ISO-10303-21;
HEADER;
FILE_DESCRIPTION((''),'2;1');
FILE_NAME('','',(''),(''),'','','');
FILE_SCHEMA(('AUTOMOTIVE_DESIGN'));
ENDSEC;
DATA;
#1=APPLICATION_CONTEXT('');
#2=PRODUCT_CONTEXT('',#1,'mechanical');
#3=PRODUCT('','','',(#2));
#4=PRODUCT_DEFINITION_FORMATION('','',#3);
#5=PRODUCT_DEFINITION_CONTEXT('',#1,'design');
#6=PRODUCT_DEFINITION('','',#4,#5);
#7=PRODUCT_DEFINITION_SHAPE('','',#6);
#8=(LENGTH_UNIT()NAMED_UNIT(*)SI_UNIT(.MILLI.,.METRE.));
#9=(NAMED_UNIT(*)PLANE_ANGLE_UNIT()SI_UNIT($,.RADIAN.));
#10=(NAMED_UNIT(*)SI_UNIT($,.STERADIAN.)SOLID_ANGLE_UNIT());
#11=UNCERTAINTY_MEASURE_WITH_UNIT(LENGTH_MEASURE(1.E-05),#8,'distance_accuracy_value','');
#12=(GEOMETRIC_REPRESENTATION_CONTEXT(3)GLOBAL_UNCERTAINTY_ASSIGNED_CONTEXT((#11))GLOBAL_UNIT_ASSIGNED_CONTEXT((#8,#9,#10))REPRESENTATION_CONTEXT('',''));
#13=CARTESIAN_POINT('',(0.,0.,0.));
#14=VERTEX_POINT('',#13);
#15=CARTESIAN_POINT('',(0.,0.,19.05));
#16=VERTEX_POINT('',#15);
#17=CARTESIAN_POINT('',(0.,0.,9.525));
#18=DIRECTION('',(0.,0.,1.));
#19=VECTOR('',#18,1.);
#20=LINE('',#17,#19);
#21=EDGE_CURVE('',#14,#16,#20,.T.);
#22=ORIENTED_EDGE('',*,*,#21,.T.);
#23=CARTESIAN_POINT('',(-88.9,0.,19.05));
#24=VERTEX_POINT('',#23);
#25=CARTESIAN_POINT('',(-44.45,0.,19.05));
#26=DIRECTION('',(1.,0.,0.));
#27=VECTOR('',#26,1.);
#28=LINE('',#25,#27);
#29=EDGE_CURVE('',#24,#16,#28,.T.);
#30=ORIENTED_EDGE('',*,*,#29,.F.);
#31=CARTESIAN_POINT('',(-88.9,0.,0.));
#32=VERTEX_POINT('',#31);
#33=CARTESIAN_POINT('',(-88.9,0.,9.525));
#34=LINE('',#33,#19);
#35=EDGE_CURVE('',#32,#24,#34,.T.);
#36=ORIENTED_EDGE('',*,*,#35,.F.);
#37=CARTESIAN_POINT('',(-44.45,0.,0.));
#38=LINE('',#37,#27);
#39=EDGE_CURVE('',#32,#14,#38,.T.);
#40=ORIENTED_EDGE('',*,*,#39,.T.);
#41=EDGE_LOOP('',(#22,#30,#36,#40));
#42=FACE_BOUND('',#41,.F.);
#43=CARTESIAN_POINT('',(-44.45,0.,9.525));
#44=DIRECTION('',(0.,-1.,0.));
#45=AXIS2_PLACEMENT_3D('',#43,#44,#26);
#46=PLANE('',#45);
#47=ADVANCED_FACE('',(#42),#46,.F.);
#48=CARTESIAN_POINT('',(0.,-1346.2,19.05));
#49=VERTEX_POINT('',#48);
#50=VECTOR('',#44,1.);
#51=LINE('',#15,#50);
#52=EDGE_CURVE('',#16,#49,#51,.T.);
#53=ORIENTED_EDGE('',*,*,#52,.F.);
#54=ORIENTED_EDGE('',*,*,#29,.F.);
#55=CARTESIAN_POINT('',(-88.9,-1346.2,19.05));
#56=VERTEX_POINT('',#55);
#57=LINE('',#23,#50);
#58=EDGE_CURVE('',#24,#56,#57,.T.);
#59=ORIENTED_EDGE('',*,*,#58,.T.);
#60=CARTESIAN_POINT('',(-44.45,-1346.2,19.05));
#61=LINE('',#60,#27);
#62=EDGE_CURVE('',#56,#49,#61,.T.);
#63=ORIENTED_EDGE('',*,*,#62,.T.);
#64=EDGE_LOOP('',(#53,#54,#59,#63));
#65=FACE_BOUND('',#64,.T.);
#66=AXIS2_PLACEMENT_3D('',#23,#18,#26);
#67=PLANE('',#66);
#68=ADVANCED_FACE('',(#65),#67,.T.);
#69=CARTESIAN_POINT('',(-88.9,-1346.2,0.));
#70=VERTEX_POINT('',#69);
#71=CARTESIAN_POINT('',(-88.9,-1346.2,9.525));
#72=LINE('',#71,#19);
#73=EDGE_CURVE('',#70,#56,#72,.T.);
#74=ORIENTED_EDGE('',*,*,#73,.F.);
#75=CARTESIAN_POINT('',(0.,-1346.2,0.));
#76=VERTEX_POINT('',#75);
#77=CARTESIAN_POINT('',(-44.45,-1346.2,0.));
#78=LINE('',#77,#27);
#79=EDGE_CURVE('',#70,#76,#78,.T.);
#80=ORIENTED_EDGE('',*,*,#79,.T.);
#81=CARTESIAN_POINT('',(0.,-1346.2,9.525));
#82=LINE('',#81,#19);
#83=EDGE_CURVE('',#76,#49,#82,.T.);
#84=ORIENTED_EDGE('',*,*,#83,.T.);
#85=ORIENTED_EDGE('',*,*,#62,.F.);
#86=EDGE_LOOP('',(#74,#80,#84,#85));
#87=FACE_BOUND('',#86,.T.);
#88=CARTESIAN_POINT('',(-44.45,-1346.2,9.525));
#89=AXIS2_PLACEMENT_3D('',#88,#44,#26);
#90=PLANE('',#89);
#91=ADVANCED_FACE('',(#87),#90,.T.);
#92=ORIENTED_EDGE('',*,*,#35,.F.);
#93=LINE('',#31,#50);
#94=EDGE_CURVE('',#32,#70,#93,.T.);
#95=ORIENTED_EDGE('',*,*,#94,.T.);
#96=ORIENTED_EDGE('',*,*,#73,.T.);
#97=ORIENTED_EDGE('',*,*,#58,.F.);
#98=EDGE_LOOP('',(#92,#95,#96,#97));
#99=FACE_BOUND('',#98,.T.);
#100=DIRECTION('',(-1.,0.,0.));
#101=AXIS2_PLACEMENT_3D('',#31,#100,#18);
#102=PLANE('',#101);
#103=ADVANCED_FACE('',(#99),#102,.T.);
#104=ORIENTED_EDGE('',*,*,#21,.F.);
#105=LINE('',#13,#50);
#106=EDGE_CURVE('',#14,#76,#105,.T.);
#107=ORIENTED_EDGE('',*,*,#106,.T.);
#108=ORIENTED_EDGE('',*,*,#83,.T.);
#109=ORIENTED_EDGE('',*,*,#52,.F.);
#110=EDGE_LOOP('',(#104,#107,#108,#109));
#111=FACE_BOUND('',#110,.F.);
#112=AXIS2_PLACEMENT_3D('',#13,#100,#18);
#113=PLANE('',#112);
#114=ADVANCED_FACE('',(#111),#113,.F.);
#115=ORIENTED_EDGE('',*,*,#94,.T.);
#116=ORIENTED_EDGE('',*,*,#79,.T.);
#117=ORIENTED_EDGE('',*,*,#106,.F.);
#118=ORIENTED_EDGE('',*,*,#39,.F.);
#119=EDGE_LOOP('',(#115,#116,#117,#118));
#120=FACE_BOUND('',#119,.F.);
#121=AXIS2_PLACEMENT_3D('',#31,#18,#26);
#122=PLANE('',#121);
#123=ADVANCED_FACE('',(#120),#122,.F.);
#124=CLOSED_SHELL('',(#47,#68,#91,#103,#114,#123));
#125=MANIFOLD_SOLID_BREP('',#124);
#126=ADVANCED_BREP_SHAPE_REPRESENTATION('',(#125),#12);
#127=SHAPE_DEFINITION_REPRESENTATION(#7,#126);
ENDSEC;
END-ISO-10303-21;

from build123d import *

# Parameters (mm, degrees)
SKETCH_W  = 88.9
SKETCH_H  = 19.05
PAD_DEPTH = 1346.2


with BuildPart() as part:
    # Sketch → Pad (new body)
    with BuildSketch(Plane.XZ):
        with Locations((-44.45, 9.525)):
            Rectangle(SKETCH_W, SKETCH_H)
    extrude(amount=PAD_DEPTH)


solid = part.part
